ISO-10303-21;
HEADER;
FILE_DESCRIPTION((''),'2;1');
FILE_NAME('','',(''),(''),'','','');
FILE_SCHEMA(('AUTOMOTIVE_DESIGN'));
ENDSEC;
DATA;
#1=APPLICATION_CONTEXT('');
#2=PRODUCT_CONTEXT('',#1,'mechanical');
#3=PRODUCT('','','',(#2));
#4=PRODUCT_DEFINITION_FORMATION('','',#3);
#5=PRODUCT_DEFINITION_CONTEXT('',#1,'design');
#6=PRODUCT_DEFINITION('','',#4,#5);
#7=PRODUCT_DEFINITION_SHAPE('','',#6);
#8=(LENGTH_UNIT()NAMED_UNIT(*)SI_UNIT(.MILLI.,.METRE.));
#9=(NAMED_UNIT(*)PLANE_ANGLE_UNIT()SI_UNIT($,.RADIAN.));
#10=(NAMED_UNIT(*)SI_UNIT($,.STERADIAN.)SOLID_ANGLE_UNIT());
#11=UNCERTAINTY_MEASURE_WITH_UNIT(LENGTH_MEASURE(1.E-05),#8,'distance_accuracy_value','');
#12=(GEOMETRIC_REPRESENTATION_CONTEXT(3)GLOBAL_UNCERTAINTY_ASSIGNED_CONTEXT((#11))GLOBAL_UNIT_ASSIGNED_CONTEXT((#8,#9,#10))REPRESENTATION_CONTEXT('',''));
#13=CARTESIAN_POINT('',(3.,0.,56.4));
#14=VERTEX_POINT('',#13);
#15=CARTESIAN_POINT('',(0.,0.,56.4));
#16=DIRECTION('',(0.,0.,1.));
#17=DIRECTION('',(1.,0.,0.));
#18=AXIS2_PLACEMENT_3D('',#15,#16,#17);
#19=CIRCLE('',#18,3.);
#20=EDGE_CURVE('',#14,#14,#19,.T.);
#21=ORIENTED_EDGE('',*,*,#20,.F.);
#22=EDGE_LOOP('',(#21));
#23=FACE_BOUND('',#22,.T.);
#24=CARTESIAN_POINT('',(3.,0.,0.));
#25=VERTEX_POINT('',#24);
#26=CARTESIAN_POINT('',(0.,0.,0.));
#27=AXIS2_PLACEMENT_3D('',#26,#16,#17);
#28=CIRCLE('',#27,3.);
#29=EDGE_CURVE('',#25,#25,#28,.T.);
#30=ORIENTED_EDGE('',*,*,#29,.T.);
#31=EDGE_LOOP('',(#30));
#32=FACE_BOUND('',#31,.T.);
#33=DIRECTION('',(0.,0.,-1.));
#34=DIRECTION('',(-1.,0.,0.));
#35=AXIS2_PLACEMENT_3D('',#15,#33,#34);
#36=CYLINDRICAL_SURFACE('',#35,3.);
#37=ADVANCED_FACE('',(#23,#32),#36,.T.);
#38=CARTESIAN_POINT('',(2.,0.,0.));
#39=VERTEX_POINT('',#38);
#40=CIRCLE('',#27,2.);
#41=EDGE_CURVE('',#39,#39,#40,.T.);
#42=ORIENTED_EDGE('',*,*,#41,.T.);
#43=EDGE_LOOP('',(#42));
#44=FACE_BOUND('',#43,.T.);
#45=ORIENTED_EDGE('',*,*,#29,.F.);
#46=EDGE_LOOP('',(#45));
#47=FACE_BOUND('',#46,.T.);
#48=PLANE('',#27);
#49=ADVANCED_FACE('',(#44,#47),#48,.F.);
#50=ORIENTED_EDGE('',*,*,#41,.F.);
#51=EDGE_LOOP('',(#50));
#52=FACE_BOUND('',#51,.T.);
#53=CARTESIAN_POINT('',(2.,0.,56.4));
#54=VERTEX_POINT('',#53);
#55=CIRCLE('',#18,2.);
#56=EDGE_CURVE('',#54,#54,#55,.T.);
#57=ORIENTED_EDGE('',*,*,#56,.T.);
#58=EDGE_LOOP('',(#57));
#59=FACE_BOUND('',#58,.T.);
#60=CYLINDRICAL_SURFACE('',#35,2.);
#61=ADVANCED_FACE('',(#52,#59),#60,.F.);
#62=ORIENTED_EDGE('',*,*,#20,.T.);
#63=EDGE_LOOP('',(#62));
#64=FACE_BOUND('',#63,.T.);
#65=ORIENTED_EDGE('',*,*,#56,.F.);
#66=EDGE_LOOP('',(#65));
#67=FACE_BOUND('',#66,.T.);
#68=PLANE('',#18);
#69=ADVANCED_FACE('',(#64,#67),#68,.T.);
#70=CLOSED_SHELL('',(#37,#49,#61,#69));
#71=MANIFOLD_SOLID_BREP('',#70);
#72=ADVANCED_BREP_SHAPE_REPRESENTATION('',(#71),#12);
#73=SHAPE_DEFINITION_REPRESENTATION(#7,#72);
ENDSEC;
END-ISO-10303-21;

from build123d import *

# Parameters (mm, degrees)
SCHIZZO1_R                   = 3
SCHIZZO1_R_2                 = 2
ESTRUSIONE_ESTRUSIONE1_DEPTH = 56.4


with BuildPart() as part:
    # Schizzo1 → Estrusione-Estrusione1 (new body)
    with BuildSketch(Plane.XY):
        Circle(SCHIZZO1_R)
        Circle(SCHIZZO1_R_2, mode=Mode.SUBTRACT)
    extrude(amount=ESTRUSIONE_ESTRUSIONE1_DEPTH)


solid = part.part
